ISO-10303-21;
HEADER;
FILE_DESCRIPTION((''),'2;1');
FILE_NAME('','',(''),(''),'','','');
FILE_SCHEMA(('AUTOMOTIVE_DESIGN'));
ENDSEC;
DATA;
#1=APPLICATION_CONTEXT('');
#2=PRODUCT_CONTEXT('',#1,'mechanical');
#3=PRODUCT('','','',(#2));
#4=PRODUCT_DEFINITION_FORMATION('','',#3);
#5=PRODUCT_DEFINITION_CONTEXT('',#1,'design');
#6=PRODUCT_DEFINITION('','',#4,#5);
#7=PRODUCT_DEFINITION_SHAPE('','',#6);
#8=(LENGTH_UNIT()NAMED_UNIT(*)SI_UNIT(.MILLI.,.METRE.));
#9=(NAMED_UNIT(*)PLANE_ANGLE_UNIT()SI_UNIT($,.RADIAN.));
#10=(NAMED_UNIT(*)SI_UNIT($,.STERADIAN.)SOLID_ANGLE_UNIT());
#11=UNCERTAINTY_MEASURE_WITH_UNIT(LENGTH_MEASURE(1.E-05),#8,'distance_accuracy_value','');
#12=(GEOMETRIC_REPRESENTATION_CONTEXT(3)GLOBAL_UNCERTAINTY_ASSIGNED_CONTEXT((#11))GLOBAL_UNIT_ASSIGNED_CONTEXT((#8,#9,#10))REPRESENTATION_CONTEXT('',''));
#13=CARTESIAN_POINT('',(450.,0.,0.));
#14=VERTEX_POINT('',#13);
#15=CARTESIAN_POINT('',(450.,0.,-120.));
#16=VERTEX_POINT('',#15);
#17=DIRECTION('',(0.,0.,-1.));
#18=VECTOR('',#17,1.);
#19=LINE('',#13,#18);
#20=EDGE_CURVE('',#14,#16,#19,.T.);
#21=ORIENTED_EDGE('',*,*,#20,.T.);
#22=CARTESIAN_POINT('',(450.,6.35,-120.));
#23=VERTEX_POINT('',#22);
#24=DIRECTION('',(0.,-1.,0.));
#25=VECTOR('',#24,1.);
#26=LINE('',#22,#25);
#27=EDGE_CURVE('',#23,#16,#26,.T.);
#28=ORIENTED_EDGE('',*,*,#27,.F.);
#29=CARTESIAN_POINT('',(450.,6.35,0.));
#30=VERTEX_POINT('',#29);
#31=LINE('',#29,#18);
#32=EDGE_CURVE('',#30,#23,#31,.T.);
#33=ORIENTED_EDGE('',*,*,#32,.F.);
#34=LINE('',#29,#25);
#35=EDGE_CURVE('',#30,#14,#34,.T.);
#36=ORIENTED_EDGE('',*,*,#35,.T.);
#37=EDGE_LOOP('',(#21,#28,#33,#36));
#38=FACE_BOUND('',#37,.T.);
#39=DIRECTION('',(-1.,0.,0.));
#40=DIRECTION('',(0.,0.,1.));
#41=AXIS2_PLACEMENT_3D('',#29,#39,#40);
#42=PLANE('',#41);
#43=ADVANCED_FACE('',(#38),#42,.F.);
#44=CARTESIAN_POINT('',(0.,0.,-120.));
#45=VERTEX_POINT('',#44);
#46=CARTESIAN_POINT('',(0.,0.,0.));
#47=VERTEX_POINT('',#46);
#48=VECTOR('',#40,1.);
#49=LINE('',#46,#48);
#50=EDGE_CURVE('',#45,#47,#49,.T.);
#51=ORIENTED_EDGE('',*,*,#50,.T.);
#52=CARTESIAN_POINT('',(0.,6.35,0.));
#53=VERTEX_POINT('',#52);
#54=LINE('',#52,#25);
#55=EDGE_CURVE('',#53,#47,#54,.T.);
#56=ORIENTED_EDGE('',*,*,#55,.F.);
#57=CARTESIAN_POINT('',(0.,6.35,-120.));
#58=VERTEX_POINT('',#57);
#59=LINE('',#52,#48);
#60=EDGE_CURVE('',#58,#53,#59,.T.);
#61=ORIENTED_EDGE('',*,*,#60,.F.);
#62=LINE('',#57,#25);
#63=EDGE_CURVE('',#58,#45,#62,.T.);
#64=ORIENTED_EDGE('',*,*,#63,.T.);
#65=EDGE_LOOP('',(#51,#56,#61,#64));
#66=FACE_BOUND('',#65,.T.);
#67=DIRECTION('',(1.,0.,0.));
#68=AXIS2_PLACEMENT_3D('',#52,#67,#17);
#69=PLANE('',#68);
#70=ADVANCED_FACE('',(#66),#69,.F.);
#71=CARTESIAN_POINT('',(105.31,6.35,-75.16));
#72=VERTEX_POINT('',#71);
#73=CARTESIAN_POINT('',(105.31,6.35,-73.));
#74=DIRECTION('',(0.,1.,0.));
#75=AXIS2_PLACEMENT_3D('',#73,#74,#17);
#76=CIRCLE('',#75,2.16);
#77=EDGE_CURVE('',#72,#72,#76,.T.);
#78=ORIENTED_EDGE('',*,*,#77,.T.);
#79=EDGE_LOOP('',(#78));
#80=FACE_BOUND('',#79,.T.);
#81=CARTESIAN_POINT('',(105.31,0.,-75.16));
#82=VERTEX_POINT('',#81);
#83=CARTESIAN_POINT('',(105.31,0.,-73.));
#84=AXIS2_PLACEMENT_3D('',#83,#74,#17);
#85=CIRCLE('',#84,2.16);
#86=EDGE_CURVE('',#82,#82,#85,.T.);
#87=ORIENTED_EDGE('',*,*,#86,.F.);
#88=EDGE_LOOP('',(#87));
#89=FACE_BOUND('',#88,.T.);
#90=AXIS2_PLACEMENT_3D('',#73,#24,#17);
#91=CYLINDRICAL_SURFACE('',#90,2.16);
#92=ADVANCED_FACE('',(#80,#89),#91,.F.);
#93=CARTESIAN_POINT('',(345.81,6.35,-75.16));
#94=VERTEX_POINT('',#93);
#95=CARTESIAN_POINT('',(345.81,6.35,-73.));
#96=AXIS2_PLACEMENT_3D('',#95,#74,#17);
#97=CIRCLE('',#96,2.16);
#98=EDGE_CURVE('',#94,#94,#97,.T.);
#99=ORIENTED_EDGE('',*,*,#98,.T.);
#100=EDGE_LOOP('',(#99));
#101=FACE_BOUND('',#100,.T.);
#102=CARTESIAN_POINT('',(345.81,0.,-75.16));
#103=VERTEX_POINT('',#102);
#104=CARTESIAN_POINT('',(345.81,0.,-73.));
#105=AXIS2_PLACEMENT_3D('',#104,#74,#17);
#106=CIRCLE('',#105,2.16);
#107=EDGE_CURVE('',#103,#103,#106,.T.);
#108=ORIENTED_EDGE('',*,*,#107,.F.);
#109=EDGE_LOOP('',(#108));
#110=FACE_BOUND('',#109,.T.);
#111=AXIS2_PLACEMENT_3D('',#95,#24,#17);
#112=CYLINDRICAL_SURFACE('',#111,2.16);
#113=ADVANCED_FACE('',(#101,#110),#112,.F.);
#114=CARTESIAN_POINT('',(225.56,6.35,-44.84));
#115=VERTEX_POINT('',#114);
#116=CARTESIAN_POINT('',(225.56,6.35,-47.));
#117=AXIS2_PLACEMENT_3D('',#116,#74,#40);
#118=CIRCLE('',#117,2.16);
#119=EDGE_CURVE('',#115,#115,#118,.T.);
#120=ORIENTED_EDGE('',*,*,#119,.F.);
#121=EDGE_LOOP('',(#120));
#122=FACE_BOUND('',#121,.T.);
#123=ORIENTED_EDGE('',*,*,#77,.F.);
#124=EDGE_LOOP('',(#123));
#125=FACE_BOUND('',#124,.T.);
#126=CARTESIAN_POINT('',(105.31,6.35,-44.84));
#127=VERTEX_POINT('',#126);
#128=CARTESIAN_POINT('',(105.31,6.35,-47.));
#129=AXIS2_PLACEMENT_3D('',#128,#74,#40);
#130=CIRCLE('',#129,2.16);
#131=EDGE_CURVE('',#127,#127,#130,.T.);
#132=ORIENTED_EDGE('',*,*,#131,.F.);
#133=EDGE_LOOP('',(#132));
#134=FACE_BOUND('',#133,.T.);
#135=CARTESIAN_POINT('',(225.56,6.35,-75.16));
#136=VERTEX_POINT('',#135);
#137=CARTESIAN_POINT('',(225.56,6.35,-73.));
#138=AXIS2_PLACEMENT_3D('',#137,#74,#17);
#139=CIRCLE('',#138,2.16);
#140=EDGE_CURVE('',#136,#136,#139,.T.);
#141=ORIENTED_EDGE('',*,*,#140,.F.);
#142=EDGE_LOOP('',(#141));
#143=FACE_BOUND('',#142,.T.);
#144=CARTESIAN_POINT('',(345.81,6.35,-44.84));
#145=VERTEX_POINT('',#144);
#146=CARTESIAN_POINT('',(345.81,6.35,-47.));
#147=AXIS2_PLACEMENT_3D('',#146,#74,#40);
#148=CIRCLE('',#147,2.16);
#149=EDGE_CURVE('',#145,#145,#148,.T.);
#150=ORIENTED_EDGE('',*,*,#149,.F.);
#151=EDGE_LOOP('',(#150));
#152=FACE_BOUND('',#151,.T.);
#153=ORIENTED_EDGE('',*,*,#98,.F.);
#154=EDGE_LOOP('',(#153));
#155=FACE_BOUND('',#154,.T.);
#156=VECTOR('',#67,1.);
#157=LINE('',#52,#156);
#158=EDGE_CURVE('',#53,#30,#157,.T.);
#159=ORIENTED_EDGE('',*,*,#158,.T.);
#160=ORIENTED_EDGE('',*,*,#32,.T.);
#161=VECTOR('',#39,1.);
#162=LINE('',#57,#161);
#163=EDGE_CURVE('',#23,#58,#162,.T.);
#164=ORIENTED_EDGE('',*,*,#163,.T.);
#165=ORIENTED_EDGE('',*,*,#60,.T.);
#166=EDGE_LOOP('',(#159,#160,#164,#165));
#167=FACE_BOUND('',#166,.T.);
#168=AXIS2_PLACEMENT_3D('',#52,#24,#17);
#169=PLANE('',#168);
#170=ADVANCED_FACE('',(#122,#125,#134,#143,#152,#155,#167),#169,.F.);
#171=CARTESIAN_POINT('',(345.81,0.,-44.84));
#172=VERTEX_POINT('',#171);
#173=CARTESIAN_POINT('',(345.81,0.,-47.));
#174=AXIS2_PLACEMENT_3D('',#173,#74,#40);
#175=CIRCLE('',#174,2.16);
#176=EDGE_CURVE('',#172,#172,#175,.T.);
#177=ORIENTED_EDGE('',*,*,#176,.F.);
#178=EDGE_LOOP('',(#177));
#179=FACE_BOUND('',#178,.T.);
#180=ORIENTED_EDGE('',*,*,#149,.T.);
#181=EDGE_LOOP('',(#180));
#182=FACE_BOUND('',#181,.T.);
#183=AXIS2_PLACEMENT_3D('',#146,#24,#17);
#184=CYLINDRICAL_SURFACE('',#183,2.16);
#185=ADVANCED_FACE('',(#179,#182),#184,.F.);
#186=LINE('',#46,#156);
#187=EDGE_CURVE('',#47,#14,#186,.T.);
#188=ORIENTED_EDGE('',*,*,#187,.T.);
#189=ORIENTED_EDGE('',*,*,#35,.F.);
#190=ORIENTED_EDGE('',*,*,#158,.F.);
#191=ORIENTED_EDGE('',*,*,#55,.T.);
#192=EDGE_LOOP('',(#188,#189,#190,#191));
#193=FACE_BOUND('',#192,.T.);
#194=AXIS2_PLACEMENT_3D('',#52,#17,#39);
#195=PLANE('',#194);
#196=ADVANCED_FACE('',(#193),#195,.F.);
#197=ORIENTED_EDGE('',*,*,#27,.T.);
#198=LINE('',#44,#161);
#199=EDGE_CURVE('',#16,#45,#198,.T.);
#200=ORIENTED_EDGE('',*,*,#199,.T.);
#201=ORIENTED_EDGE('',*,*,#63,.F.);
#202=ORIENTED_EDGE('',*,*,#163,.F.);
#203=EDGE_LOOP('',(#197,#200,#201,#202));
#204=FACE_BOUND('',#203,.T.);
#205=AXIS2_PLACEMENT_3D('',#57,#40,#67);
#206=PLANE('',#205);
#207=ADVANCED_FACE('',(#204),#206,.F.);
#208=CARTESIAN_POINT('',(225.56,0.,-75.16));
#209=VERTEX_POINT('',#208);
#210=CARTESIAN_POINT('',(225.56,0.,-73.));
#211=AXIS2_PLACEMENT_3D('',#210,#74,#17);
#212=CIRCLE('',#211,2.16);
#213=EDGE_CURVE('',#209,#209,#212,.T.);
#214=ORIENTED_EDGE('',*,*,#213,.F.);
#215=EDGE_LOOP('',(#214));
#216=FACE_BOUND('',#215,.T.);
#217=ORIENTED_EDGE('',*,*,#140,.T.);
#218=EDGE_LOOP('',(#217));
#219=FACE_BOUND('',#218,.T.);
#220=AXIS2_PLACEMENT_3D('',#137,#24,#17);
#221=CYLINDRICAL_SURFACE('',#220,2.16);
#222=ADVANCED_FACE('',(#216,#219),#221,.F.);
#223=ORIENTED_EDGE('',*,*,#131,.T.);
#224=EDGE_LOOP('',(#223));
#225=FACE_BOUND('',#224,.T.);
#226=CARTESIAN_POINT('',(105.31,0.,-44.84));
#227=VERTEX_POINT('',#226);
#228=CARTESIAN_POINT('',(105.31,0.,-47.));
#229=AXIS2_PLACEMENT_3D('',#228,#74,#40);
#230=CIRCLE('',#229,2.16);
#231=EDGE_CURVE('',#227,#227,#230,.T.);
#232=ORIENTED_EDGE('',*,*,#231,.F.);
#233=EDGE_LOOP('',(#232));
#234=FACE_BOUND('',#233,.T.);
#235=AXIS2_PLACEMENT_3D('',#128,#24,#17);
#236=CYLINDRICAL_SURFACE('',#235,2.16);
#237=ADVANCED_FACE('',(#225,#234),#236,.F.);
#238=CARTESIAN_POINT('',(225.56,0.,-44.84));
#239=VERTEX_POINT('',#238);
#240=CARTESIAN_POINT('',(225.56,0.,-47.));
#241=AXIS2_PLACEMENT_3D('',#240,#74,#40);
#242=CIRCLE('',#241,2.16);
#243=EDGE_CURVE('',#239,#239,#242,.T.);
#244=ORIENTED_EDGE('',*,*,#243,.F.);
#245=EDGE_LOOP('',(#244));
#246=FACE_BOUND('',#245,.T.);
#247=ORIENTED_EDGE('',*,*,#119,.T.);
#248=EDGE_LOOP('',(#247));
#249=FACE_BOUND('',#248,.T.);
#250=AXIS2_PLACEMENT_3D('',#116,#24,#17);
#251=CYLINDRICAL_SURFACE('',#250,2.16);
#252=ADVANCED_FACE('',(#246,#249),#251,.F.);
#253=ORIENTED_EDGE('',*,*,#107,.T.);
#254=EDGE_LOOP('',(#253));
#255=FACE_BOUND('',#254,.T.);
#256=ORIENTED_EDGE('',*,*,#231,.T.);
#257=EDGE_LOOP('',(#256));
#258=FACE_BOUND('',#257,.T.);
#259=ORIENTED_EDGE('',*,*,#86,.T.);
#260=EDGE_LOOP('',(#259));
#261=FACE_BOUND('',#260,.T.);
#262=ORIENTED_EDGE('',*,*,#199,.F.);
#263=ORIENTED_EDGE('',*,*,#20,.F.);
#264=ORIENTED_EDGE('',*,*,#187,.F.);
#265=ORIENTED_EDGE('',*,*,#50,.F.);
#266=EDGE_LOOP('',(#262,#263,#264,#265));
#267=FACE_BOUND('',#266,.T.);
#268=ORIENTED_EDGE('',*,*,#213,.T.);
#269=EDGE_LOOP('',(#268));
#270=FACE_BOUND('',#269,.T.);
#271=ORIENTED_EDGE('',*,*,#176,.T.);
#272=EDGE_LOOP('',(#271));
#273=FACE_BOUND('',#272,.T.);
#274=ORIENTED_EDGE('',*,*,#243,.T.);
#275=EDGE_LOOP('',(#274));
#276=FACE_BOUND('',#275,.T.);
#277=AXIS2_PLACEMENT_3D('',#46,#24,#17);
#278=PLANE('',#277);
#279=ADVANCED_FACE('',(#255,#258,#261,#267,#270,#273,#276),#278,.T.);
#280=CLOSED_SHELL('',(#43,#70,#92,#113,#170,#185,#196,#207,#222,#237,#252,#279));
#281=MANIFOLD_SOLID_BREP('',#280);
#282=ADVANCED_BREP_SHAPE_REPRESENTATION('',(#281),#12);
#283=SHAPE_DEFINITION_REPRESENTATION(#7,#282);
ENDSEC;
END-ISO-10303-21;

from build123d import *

# Parameters (mm, degrees)
SKETCH1_W           = 450
SKETCH1_H           = 120
SKETCH1_R           = 2.16
BOSS_EXTRUDE1_DEPTH = 6.35


with BuildPart() as part:
    # Sketch1 → Boss-Extrude1 (new body)
    with BuildSketch(Plane(origin=(0, 0, 0), x_dir=(1, 0, 0), z_dir=(0, 1, 0))):
        with Locations((225, 60)):
            Rectangle(SKETCH1_W, SKETCH1_H)
        with Locations((345.81, 47)):
            Circle(SKETCH1_R, mode=Mode.SUBTRACT)
        with Locations((225.56, 47)):
            Circle(SKETCH1_R, mode=Mode.SUBTRACT)
        with Locations((105.31, 47)):
            Circle(SKETCH1_R, mode=Mode.SUBTRACT)
        with Locations((105.31, 73)):
            Circle(SKETCH1_R, mode=Mode.SUBTRACT)
        with Locations((225.56, 73)):
            Circle(SKETCH1_R, mode=Mode.SUBTRACT)
        with Locations((345.81, 73)):
            Circle(SKETCH1_R, mode=Mode.SUBTRACT)
    extrude(amount=BOSS_EXTRUDE1_DEPTH)


solid = part.part
